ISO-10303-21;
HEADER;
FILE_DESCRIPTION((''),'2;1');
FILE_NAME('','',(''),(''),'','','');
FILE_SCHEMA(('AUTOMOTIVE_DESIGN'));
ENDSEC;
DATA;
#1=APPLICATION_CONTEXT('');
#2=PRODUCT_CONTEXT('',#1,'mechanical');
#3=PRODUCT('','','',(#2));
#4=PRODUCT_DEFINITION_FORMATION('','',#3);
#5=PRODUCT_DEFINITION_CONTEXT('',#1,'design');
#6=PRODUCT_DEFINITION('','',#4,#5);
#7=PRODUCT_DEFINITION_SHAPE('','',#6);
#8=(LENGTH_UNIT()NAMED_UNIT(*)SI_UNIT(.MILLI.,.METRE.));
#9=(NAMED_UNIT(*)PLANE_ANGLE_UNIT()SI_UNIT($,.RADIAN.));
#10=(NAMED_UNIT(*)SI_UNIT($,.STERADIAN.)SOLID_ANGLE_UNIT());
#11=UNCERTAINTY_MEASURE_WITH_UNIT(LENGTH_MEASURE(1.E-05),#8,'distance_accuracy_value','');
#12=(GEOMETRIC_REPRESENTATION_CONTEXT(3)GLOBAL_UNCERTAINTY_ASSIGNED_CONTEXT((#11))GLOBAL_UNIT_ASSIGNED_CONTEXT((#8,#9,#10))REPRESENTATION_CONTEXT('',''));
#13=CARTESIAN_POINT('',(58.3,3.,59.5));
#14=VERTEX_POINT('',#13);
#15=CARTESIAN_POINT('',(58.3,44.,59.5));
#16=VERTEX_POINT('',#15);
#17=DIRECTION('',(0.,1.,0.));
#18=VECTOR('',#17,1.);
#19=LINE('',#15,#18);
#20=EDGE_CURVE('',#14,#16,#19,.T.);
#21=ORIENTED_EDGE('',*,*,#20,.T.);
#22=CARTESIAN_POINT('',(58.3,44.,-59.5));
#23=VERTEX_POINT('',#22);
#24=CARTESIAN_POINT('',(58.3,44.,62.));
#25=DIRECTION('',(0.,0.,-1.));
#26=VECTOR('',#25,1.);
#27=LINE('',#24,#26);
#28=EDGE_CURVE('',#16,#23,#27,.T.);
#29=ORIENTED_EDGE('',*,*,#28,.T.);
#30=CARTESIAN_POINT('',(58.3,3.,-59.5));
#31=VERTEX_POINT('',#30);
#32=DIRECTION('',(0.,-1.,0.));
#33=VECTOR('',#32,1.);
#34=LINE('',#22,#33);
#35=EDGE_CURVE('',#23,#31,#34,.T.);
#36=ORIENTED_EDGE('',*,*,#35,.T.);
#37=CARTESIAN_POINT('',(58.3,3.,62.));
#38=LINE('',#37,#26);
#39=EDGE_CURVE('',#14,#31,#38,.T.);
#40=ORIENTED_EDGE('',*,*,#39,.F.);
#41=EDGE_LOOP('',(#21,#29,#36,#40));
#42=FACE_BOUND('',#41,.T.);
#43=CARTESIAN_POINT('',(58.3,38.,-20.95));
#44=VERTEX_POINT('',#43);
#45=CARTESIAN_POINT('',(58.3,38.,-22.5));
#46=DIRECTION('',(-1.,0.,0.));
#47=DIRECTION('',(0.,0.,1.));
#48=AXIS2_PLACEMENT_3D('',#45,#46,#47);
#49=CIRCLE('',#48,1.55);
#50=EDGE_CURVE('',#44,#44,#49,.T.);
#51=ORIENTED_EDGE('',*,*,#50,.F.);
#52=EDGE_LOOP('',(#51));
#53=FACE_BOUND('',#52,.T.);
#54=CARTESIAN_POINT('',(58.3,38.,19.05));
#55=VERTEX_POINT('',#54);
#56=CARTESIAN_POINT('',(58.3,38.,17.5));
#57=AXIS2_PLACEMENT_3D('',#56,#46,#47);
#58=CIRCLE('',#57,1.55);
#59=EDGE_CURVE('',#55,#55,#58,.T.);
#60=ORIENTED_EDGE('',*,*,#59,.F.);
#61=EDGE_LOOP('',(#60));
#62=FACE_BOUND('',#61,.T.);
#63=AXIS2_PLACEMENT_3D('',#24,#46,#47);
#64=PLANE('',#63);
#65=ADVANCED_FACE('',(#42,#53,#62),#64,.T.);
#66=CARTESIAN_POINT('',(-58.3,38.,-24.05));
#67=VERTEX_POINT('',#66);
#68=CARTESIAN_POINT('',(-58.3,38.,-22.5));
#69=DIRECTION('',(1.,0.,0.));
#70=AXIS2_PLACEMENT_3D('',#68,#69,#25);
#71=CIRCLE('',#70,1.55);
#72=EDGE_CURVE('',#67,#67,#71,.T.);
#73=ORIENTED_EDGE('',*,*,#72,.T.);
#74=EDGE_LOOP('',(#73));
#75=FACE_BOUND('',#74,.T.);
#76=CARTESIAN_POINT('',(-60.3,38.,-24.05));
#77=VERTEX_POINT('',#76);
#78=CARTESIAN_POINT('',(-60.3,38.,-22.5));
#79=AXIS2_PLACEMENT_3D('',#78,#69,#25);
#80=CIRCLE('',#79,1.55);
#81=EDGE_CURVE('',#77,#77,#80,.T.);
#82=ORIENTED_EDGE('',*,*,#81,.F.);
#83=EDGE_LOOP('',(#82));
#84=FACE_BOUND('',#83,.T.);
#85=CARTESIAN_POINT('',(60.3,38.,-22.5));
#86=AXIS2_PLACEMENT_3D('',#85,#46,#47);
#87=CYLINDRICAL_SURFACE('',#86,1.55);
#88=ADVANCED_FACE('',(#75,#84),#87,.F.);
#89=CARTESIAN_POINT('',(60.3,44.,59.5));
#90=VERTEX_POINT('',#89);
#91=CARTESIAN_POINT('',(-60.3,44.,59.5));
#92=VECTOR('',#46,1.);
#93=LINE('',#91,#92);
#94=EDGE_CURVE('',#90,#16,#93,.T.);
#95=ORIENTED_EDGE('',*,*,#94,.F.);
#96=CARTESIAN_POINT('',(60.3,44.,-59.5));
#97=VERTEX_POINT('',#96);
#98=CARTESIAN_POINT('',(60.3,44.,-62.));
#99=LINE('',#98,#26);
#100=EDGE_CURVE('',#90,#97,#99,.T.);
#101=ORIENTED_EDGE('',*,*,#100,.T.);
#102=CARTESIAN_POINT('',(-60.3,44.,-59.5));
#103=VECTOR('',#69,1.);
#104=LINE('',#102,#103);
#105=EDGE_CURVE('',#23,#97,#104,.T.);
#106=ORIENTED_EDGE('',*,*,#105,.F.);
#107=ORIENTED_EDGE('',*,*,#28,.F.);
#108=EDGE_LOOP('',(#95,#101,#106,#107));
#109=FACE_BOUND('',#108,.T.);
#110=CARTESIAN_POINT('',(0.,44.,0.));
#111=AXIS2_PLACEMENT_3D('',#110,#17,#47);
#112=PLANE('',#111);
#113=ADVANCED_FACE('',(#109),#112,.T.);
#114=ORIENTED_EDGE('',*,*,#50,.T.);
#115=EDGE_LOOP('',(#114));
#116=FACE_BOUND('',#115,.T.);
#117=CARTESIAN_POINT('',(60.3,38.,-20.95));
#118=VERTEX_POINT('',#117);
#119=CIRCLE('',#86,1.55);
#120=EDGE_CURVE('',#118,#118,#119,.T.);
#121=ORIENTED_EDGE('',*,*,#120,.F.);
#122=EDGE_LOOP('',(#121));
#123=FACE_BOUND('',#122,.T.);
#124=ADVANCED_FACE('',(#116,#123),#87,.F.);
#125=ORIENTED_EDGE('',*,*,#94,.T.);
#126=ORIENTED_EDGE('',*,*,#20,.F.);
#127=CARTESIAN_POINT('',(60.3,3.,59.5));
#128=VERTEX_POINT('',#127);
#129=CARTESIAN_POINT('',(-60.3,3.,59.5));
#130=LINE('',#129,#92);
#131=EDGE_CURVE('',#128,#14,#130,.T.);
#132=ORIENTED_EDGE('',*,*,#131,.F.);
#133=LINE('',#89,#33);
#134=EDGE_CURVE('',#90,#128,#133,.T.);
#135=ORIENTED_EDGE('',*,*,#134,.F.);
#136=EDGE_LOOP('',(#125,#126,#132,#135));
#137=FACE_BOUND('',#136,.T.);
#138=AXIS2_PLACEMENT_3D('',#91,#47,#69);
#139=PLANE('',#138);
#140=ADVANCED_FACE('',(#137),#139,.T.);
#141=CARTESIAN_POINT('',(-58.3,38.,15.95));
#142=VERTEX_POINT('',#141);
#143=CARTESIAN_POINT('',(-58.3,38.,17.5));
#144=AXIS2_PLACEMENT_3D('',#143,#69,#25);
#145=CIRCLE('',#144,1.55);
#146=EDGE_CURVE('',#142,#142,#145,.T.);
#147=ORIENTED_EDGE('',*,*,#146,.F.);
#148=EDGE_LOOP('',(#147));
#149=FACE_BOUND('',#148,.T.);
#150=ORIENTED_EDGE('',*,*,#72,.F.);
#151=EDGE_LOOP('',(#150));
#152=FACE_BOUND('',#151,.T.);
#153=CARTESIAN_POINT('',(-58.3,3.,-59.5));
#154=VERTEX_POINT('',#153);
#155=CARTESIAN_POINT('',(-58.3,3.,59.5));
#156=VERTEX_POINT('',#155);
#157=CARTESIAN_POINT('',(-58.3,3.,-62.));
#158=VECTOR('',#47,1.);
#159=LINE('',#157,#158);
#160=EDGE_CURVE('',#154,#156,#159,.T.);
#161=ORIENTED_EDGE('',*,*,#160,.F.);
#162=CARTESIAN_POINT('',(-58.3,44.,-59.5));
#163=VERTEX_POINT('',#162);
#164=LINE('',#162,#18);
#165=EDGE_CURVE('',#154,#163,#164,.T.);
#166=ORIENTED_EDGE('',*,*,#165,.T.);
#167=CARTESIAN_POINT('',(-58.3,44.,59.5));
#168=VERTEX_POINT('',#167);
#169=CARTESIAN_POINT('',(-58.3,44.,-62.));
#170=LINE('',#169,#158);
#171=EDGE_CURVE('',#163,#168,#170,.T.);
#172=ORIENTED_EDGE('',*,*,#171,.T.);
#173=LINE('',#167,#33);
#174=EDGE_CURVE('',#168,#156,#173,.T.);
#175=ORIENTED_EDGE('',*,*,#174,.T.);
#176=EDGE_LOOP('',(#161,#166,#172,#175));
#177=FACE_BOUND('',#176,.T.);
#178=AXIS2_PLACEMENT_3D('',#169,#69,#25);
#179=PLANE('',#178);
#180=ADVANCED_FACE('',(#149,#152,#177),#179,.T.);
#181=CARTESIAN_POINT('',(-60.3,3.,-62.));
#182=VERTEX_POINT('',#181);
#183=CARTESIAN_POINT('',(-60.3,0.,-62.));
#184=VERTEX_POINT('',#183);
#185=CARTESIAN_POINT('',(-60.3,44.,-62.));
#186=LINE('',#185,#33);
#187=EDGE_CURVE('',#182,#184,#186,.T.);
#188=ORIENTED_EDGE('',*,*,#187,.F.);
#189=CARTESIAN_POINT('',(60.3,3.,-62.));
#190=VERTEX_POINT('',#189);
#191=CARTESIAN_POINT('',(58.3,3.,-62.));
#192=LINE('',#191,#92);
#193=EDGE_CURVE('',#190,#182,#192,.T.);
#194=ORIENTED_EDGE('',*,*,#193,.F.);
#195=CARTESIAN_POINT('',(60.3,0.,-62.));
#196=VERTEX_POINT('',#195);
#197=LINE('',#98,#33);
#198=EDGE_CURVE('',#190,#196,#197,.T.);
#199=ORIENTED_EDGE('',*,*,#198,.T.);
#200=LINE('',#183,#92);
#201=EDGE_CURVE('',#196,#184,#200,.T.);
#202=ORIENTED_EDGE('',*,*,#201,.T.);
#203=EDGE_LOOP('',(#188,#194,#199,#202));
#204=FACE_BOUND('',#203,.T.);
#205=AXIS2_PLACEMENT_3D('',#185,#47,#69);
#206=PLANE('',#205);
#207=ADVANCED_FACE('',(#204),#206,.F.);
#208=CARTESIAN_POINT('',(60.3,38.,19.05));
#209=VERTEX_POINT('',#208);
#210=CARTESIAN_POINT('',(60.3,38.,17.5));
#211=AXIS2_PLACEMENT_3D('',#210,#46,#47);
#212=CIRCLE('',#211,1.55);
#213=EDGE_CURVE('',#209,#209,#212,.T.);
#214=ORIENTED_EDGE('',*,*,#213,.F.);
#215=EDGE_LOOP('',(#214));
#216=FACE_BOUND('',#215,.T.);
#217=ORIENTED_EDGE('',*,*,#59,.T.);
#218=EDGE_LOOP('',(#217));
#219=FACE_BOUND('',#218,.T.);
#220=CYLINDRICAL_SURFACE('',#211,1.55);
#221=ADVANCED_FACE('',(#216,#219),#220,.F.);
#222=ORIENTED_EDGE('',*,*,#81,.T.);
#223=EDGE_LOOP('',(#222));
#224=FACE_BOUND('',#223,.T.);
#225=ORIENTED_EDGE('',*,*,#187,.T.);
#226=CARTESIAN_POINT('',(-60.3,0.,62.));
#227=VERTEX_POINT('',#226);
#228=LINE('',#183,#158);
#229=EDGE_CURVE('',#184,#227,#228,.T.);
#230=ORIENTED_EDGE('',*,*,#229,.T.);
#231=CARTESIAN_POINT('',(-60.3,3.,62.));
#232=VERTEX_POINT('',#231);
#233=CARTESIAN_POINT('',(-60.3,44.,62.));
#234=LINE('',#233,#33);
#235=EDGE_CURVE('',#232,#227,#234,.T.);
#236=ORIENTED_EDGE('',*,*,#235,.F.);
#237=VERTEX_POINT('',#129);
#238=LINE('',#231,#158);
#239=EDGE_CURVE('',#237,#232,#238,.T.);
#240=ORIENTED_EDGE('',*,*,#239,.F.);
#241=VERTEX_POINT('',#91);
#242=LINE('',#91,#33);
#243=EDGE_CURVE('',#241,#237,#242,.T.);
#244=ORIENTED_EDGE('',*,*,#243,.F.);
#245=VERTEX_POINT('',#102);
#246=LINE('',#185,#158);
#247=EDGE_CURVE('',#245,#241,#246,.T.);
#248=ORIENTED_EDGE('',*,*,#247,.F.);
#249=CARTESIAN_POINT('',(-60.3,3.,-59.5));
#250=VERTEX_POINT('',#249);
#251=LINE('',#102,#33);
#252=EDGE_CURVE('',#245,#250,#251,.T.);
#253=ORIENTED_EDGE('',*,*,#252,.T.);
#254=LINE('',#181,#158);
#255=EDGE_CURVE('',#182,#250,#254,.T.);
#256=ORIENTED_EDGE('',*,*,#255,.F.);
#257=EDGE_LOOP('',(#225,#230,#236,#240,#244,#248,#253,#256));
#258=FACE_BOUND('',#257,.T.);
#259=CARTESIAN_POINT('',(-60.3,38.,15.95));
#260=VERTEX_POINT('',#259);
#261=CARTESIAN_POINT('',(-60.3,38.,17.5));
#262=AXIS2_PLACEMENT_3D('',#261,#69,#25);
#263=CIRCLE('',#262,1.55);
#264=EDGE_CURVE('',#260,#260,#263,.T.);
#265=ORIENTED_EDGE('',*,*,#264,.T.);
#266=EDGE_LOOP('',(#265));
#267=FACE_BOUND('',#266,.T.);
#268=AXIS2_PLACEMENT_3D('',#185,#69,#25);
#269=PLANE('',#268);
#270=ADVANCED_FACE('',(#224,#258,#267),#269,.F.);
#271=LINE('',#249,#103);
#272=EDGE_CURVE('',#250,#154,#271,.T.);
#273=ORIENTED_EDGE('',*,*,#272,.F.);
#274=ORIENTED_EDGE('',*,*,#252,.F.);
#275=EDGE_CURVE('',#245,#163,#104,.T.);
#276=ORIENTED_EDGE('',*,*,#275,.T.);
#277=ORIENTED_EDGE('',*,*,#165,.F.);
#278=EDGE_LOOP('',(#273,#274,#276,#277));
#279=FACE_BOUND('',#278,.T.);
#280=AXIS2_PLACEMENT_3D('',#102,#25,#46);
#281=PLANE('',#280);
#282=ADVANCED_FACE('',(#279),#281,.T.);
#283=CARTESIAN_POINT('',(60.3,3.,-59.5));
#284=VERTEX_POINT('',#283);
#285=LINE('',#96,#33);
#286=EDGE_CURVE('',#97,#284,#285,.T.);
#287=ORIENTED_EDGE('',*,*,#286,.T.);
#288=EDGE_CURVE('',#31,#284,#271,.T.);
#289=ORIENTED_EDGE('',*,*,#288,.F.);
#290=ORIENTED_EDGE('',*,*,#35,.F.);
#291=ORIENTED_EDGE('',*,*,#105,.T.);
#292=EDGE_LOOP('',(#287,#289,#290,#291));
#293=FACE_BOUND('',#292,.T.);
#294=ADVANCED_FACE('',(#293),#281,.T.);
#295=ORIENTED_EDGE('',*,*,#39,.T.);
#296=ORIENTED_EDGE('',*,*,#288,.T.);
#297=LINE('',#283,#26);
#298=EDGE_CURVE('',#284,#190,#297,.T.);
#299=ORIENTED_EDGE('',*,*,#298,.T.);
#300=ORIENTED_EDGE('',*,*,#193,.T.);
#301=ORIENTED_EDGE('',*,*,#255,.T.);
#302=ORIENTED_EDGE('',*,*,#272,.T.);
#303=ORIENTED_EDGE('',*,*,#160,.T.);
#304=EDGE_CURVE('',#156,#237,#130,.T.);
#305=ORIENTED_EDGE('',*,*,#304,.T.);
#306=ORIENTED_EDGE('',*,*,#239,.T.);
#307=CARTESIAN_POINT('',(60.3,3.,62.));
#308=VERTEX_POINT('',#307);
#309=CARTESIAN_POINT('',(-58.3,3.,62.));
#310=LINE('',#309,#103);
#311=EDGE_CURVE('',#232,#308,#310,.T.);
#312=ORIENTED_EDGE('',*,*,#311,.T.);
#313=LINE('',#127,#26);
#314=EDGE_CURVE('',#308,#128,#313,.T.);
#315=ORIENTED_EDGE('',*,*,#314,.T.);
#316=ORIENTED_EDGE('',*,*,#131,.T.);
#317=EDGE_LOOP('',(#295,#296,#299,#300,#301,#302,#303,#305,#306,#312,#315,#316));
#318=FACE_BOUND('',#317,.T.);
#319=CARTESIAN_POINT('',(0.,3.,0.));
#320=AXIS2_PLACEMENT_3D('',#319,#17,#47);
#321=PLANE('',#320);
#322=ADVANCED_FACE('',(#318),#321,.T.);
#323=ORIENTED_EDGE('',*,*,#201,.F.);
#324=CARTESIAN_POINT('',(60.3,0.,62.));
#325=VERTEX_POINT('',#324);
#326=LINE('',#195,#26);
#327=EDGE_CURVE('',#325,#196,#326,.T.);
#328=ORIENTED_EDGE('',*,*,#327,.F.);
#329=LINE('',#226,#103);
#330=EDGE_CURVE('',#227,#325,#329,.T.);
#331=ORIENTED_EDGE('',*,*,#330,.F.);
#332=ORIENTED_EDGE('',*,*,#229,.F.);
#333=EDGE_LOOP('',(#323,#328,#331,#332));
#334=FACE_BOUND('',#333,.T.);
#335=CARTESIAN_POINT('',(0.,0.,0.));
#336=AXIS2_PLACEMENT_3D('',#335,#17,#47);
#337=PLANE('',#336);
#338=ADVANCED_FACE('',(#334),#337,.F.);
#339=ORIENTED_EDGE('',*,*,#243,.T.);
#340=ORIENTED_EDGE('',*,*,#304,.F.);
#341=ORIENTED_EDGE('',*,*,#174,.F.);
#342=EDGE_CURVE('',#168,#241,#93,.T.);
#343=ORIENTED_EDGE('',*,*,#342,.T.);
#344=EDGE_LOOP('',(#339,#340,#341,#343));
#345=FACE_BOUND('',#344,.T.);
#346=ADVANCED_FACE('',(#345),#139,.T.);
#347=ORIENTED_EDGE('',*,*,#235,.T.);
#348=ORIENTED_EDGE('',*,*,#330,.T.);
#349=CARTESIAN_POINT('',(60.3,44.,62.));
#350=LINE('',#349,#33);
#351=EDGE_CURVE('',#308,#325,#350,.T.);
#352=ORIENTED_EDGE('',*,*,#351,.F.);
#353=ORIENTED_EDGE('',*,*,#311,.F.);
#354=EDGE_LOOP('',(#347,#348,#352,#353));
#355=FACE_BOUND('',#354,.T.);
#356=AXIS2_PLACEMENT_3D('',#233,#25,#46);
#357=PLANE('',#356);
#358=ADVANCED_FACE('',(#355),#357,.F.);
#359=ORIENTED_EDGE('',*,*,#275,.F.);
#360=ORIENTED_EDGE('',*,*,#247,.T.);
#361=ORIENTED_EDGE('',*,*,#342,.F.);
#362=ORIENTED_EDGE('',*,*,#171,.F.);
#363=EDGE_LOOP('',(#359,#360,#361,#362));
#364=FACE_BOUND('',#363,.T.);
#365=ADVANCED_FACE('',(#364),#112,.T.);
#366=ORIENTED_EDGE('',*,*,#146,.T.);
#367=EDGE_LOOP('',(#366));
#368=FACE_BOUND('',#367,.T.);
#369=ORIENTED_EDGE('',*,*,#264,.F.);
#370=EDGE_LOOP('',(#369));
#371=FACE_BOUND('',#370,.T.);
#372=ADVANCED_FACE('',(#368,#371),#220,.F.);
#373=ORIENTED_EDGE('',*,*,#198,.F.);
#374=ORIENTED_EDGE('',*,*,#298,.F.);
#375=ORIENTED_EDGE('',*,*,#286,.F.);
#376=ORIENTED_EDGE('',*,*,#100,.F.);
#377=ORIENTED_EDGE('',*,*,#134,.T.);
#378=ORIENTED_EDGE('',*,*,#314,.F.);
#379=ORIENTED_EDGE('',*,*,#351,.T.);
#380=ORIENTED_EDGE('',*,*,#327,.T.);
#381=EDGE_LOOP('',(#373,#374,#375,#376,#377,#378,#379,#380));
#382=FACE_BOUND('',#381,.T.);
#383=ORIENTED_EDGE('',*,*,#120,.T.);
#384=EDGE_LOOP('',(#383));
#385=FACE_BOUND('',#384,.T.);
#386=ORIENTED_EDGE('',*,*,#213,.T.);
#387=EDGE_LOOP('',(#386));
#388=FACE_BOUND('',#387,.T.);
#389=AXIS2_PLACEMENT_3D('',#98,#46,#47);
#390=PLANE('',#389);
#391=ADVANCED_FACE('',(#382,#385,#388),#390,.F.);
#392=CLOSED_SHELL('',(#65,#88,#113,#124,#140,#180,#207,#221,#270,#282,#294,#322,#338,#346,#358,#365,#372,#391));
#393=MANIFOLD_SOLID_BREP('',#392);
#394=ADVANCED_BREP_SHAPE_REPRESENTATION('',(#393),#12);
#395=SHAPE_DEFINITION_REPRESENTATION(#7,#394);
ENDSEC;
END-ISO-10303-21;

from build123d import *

# Parameters (mm, degrees)
SKETCH3_W           = 120.6
SKETCH3_H           = 124
BOSS_EXTRUDE3_DEPTH = 44
SKETCH9_W           = 116.6
SKETCH9_H           = 124
CUT_EXTRUDE2_DEPTH  = 42
SKETCH10_W          = 120.6
SKETCH10_H          = 2.5
CUT_EXTRUDE3_DEPTH  = 42
SKETCH11_W          = 120.6
SKETCH11_H          = 2.5
CUT_EXTRUDE4_DEPTH  = 42
SKETCH12_R          = 1.55
CUT_EXTRUDE5_DEPTH  = 124.6


with BuildPart() as part:
    # Sketch3 → Boss-Extrude3 (new body)
    with BuildSketch(Plane(origin=(0, 0, 0), x_dir=(1, 0, 0), z_dir=(0, 1, 0))):
        Rectangle(SKETCH3_W, SKETCH3_H)
    extrude(amount=BOSS_EXTRUDE3_DEPTH)

    # Sketch9 → Cut-Extrude2 (cut, through all)
    with BuildSketch(Plane(origin=(0, 3, 0), x_dir=(1, 0, 0), z_dir=(0, 1, 0))):
        Rectangle(SKETCH9_W, SKETCH9_H)
    extrude(amount=CUT_EXTRUDE2_DEPTH, mode=Mode.SUBTRACT)

    # Sketch10 → Cut-Extrude3 (cut, through all)
    with BuildSketch(Plane(origin=(0, 3, 0), x_dir=(1, 0, 0), z_dir=(0, 1, 0))):
        with Locations((0, 60.75)):
            Rectangle(SKETCH10_W, SKETCH10_H)
    extrude(amount=CUT_EXTRUDE3_DEPTH, mode=Mode.SUBTRACT)

    # Sketch11 → Cut-Extrude4 (cut, through all)
    with BuildSketch(Plane(origin=(0, 3, 0), x_dir=(1, 0, 0), z_dir=(0, 1, 0))):
        with Locations((0, -60.75)):
            Rectangle(SKETCH11_W, SKETCH11_H)
    extrude(amount=CUT_EXTRUDE4_DEPTH, mode=Mode.SUBTRACT)

    # Sketch12 → Cut-Extrude5 (cut, through all)
    with BuildSketch(Plane.ZY.offset(63.3)):
        with Locations((-22.5, 38)):
            Circle(SKETCH12_R)
        with Locations((17.5, 38)):
            Circle(SKETCH12_R)
    extrude(amount=-CUT_EXTRUDE5_DEPTH, mode=Mode.SUBTRACT)


solid = part.part
